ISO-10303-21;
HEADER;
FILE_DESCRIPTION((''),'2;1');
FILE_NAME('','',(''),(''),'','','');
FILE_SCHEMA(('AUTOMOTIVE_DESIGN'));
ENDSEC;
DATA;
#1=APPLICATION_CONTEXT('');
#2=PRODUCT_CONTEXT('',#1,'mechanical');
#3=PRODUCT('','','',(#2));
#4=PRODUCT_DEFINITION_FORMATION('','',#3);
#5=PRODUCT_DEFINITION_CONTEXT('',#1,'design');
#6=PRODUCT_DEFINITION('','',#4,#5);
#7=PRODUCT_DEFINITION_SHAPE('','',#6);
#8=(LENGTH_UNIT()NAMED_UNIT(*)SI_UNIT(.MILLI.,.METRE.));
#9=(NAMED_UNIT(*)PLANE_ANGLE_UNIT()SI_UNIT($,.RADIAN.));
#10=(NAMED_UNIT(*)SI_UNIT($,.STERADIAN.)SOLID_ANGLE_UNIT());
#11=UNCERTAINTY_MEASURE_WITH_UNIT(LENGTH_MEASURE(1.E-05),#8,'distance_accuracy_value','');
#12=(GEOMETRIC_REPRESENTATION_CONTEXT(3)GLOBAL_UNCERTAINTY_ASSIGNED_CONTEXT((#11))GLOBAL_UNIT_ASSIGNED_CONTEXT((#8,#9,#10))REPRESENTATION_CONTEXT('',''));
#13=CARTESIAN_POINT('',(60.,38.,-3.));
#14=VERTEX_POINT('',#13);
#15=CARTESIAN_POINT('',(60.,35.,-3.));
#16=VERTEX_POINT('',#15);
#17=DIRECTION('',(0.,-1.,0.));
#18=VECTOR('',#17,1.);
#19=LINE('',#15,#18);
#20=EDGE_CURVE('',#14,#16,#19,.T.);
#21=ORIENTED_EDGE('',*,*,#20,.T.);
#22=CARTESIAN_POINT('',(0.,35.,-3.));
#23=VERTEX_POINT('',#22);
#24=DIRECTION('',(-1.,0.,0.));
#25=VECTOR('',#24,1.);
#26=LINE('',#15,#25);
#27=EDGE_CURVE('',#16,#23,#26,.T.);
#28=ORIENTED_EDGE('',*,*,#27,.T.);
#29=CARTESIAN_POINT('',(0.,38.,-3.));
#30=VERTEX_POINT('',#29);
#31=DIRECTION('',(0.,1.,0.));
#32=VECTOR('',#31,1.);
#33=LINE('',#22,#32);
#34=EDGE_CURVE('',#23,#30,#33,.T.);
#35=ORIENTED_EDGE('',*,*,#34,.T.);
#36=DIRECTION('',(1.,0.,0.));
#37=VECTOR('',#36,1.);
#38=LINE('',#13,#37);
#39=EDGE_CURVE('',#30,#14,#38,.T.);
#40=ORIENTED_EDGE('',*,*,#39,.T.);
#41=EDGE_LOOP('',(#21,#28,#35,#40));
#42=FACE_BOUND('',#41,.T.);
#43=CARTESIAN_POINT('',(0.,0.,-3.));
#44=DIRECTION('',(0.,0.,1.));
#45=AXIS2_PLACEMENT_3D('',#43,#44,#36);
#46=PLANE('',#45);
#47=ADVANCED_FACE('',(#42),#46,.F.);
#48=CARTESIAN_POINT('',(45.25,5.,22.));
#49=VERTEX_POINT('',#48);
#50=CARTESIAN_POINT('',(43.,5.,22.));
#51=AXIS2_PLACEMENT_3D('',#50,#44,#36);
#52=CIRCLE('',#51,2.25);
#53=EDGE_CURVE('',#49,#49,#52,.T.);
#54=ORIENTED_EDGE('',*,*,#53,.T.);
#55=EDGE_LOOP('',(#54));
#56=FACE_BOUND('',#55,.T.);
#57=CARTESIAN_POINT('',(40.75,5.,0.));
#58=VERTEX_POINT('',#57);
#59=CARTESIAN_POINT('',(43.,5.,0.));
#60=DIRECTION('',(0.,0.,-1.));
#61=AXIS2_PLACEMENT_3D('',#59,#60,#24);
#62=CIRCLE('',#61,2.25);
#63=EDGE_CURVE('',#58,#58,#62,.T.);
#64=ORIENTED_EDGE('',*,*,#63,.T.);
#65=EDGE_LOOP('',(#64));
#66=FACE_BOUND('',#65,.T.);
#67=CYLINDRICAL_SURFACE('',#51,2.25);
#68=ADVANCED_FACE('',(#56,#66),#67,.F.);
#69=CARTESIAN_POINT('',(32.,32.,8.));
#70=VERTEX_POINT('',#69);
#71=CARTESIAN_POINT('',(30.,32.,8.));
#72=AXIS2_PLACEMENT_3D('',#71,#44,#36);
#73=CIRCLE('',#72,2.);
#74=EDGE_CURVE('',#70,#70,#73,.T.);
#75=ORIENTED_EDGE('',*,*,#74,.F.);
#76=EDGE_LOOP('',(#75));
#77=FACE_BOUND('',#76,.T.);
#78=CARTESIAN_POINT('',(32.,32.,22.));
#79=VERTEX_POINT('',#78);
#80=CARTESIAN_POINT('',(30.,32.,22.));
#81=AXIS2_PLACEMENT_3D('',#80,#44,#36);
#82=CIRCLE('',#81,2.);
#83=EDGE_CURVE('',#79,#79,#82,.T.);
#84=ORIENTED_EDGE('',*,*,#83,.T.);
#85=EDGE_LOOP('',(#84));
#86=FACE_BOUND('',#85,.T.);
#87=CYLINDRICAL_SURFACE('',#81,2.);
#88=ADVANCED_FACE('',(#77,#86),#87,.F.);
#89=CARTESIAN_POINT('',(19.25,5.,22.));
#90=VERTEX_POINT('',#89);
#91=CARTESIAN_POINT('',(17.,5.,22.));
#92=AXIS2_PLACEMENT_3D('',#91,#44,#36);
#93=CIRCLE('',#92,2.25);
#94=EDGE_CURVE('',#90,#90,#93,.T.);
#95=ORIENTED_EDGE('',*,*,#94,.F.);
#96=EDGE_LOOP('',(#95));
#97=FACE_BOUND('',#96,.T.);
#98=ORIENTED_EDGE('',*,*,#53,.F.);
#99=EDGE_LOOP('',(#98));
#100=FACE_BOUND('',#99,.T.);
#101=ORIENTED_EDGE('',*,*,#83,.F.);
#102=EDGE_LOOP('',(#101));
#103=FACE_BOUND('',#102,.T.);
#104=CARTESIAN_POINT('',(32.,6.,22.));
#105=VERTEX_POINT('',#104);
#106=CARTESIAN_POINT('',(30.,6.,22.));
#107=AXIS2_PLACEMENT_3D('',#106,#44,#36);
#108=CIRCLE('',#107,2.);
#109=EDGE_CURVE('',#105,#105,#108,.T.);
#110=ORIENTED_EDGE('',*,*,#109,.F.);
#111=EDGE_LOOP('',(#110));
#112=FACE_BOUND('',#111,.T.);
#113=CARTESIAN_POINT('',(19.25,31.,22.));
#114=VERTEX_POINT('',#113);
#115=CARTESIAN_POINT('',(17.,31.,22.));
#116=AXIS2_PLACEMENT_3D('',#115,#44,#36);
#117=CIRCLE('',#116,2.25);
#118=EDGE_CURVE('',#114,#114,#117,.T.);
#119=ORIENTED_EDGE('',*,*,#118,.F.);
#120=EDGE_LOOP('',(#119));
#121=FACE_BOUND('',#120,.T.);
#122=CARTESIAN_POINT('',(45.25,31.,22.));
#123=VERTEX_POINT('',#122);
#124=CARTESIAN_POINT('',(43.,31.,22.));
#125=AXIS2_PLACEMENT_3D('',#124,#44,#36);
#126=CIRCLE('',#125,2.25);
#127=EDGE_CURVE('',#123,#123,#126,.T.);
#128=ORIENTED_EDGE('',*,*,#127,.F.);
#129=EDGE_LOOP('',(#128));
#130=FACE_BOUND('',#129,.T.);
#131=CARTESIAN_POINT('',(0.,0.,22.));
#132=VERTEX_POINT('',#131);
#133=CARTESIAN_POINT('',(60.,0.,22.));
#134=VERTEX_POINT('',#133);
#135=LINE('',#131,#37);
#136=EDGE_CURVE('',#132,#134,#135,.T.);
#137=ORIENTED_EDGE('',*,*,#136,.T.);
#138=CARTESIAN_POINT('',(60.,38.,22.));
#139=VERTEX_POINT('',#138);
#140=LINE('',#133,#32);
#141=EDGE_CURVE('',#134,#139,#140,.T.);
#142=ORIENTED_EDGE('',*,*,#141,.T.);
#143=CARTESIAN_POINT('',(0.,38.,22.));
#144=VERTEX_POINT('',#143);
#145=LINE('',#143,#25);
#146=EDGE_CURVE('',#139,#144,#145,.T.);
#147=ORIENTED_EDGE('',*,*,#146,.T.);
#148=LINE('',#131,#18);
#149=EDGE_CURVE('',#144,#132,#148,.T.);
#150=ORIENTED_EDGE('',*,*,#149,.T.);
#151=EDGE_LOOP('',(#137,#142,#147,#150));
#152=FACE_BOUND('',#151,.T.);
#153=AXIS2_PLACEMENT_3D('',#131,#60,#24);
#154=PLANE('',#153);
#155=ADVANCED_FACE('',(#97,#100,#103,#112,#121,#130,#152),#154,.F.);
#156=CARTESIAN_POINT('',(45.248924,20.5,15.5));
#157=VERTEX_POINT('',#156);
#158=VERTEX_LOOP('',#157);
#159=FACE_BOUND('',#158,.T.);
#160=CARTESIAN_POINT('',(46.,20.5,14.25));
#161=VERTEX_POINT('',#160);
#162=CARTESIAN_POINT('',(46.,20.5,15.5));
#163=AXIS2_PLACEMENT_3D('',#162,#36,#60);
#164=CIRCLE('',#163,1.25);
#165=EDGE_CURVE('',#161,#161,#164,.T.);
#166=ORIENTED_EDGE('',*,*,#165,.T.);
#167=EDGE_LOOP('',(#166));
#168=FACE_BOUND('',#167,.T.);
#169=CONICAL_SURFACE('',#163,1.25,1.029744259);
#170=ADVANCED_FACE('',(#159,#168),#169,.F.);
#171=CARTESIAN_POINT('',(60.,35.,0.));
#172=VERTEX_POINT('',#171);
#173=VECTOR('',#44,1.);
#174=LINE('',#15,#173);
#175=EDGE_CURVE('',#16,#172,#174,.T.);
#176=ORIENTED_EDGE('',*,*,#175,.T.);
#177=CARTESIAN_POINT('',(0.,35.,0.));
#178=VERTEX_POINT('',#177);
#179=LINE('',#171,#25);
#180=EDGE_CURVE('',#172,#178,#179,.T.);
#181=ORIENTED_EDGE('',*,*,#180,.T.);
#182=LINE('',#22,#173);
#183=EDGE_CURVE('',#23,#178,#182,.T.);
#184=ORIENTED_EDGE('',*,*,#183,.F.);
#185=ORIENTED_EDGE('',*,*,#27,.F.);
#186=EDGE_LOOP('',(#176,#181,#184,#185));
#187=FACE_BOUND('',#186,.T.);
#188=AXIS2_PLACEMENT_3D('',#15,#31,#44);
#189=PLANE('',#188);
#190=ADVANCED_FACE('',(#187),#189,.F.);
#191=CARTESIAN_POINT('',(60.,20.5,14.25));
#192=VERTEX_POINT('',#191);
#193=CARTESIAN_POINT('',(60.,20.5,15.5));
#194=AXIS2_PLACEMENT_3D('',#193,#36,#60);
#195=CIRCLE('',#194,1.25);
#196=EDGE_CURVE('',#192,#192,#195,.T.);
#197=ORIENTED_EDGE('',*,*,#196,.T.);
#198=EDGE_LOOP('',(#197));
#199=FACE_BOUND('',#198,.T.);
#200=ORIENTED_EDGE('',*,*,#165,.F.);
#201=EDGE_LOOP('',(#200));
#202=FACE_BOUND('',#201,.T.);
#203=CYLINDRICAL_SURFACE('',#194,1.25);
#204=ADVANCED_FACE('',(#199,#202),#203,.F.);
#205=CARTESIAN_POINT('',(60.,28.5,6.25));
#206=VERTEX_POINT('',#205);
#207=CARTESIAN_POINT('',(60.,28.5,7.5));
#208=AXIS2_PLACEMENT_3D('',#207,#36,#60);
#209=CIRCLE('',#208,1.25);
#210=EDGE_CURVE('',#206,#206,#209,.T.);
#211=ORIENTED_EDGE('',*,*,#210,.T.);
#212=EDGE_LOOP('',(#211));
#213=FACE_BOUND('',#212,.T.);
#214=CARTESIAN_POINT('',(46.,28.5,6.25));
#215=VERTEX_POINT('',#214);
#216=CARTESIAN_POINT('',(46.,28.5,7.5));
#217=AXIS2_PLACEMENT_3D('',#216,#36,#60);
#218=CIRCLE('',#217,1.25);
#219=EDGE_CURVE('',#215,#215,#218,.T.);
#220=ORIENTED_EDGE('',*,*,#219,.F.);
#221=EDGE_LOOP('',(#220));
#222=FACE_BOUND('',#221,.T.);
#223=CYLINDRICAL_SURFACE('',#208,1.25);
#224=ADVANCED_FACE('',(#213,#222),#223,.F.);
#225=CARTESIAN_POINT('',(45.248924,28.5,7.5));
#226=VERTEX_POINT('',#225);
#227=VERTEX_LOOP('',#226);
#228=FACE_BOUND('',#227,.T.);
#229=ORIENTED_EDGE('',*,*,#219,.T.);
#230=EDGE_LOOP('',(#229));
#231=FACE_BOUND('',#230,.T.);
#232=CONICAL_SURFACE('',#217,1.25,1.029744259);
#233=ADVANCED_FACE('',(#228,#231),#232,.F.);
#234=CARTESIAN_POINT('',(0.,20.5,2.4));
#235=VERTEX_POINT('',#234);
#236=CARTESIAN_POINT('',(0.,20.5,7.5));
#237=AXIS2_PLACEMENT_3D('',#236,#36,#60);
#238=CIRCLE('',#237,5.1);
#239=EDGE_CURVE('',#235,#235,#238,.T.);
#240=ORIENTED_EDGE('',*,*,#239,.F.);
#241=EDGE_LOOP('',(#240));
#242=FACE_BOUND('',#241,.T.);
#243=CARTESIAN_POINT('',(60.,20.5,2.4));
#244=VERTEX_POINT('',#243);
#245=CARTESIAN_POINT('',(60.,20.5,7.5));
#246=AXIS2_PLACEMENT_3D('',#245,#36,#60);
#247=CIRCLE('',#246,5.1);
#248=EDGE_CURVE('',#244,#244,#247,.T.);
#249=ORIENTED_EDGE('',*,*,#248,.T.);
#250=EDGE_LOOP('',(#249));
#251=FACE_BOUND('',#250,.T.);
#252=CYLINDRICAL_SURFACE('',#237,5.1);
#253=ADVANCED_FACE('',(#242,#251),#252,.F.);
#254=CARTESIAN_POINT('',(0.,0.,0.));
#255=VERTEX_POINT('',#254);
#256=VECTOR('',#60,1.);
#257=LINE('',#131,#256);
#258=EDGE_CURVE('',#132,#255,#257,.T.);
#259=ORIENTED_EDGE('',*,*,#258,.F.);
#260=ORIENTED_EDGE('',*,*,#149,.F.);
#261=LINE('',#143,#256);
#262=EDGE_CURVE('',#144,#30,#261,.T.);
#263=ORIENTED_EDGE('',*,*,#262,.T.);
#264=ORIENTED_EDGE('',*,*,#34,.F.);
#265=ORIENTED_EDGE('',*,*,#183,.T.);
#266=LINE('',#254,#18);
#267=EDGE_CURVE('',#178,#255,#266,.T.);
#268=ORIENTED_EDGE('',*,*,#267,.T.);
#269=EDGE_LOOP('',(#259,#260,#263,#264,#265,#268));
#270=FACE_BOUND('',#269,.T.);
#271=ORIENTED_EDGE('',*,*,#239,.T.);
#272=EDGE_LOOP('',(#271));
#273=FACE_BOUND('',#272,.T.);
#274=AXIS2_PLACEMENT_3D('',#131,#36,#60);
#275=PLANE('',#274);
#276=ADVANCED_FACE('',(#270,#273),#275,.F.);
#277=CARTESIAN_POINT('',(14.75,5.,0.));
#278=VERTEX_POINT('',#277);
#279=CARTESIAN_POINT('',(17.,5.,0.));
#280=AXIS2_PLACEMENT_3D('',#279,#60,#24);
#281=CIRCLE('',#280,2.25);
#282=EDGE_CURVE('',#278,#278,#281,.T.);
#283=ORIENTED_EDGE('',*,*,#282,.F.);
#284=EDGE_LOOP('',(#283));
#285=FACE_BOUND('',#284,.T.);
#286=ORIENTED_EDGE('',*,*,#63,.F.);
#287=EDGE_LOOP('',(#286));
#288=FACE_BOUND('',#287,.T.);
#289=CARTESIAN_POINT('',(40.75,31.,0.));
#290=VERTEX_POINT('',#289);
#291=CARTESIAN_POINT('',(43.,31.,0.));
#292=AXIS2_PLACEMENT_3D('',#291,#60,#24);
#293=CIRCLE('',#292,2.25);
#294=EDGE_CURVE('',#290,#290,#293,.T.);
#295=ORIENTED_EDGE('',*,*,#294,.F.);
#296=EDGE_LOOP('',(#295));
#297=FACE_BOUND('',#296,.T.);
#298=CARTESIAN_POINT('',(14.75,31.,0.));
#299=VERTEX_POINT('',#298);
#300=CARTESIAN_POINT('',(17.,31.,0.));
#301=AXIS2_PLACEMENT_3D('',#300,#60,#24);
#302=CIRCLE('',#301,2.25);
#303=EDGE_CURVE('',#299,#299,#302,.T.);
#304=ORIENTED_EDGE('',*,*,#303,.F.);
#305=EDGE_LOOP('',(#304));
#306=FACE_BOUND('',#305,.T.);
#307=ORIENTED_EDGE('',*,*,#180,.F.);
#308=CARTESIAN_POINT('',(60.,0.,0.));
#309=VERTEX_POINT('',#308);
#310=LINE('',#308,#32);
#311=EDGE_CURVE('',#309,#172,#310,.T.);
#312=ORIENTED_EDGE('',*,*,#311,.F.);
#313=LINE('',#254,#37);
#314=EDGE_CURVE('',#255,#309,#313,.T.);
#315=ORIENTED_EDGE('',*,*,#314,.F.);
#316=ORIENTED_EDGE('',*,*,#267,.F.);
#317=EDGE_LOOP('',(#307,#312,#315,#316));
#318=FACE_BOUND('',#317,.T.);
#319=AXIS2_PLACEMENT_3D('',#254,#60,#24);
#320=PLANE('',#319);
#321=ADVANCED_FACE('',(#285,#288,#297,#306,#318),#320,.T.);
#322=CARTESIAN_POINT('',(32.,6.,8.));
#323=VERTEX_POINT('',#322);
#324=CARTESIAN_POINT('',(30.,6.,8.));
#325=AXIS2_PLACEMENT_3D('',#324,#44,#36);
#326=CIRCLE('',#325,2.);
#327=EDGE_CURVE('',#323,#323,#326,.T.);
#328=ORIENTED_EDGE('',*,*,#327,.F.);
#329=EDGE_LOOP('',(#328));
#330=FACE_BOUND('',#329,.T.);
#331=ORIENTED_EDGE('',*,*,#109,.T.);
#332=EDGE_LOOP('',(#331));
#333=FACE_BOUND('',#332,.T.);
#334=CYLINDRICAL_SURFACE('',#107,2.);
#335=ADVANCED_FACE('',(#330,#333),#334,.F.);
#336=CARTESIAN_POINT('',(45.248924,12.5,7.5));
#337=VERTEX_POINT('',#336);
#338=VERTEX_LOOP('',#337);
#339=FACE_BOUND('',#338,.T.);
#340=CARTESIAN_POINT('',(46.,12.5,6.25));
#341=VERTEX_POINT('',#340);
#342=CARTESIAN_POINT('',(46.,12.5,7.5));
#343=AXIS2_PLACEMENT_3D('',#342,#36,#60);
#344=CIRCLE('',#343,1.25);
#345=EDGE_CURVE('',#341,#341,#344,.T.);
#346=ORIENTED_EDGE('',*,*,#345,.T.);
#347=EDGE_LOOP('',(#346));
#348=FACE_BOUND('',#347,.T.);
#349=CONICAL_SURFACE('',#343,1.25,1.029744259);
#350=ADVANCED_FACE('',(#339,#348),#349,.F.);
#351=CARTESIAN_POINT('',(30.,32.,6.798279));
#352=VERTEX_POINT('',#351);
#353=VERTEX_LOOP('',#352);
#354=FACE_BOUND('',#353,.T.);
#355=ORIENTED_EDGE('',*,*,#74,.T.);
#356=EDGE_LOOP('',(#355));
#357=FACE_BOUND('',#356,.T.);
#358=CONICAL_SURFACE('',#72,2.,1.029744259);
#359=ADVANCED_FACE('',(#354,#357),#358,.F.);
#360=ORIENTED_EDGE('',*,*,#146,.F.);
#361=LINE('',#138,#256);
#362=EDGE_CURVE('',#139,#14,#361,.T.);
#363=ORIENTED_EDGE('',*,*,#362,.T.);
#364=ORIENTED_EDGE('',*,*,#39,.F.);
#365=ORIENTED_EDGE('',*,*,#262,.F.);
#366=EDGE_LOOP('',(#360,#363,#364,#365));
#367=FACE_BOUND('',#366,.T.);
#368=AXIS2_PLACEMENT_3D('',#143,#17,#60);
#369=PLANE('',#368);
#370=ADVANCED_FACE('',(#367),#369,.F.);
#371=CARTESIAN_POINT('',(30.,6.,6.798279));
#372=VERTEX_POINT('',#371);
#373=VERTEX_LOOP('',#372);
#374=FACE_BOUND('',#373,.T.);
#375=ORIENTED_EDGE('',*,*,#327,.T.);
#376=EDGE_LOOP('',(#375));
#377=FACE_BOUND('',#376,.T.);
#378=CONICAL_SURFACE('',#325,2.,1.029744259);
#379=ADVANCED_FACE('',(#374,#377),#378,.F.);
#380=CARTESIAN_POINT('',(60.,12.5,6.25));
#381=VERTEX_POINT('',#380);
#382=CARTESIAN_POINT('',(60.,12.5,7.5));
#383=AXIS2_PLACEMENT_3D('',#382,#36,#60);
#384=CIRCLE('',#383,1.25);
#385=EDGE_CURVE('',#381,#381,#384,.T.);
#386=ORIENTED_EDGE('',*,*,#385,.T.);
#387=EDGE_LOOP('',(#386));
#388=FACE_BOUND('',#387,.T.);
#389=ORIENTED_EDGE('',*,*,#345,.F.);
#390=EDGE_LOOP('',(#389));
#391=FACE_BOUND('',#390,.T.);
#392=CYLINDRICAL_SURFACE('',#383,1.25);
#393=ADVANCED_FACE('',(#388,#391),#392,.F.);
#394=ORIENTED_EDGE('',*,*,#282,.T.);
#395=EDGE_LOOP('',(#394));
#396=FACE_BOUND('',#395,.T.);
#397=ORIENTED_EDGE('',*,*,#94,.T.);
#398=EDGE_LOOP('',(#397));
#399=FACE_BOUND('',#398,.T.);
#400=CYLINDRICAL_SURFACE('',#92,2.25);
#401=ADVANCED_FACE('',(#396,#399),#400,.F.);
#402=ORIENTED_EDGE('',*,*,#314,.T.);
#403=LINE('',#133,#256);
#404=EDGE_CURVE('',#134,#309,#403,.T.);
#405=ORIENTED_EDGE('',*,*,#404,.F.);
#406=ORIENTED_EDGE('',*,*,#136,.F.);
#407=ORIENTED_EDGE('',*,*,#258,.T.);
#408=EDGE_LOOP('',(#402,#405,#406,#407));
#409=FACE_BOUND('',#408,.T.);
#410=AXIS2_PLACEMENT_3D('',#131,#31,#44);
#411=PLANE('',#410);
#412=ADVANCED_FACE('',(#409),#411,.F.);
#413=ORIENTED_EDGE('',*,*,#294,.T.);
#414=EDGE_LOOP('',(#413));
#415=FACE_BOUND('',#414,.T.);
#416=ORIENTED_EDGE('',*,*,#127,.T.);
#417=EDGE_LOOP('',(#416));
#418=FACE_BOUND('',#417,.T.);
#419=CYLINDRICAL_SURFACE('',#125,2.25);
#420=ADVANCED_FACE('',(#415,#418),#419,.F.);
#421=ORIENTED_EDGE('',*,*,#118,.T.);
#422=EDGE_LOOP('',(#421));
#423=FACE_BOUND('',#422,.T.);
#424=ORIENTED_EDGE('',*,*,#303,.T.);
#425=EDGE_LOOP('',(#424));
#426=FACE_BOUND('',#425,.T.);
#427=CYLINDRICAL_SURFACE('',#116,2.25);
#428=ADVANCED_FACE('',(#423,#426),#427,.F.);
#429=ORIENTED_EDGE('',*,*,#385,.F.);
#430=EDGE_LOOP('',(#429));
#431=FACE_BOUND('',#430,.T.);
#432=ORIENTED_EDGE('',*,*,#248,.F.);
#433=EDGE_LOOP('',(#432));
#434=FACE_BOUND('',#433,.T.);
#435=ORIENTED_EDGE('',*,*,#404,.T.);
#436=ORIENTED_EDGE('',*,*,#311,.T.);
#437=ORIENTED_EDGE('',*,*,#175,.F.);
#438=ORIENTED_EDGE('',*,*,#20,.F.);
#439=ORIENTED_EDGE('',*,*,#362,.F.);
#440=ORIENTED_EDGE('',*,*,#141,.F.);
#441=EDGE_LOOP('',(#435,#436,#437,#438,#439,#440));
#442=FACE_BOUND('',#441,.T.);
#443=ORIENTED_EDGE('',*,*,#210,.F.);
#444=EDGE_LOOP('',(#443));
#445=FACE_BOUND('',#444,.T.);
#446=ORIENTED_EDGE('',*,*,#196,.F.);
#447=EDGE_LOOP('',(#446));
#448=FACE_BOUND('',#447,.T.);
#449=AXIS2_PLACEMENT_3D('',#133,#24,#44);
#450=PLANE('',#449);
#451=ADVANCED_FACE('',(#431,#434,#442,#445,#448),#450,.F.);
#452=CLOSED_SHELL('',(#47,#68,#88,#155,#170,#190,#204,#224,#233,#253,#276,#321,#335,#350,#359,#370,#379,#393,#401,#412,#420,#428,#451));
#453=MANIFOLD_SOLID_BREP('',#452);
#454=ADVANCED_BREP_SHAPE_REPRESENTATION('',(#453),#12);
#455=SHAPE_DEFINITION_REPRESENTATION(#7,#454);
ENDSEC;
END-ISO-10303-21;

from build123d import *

# Parameters (mm, degrees)
CROQUIS1_W                         = 60
CROQUIS1_H                         = 38
SALIENTE_EXTRUIR1_DEPTH            = 22
CROQUIS2_R                         = 5.1
CORTAR_EXTRUIR1_DEPTH              = 61
TALADROS_DE_ESPIGA_DE_4_0MM2_D     = 4
TALADROS_DE_ESPIGA_DE_4_0MM2_DEPTH = 14
TALADROS_DE_ESPIGA_DE_4_0MM2_TIP   = 1.201721238
CROQUIS6_W                         = 60
CROQUIS6_H                         = 3
SALIENTE_EXTRUIR2_DEPTH            = 3
TALADRO_ROSCADO_M31_D              = 2.5
TALADRO_ROSCADO_M31_DEPTH          = 14
TALADRO_ROSCADO_M31_TIP            = 0.751075774
TALADRO_DE_MARGEN_PARA_M41_D       = 4.5


with BuildPart() as part:
    # Croquis1 → Saliente-Extruir1 (new body)
    with BuildSketch(Plane.XY):
        with Locations((30, 19)):
            Rectangle(CROQUIS1_W, CROQUIS1_H)
    extrude(amount=SALIENTE_EXTRUIR1_DEPTH)

    # Croquis2 → Cortar-Extruir1 (cut, through all)
    with BuildSketch(Plane(origin=(60, 0, 0), x_dir=(0, 0, -1), z_dir=(1, 0, 0))):
        with Locations((-7.5, 20.5)):
            Circle(CROQUIS2_R)
    extrude(amount=-CORTAR_EXTRUIR1_DEPTH, mode=Mode.SUBTRACT)

    # Taladros de espiga de Ø4.0mm2
    with Locations(Plane.XY.offset(22)):
        with Locations((30, 6), (30, 32)):
            Hole(TALADROS_DE_ESPIGA_DE_4_0MM2_D / 2, depth=TALADROS_DE_ESPIGA_DE_4_0MM2_DEPTH)
            with Locations((0, 0, -(TALADROS_DE_ESPIGA_DE_4_0MM2_DEPTH + TALADROS_DE_ESPIGA_DE_4_0MM2_TIP / 2))):  # 118° drill point
                Cone(0, TALADROS_DE_ESPIGA_DE_4_0MM2_D / 2, TALADROS_DE_ESPIGA_DE_4_0MM2_TIP, mode=Mode.SUBTRACT)

    # Croquis6 → Saliente-Extruir2 (add)
    with BuildSketch(Plane(origin=(0, 0, 0), x_dir=(-1, 0, 0), z_dir=(0, 0, -1))):
        with Locations((-30, 36.5)):
            Rectangle(CROQUIS6_W, CROQUIS6_H)
    extrude(amount=SALIENTE_EXTRUIR2_DEPTH)

    # Taladro roscado M31
    with Locations(Plane(origin=(60, 0, 0), x_dir=(0, 0, -1), z_dir=(1, 0, 0))):
        with Locations((-15.5, 20.5), (-7.5, 12.5), (-7.5, 28.5)):
            Hole(TALADRO_ROSCADO_M31_D / 2, depth=TALADRO_ROSCADO_M31_DEPTH)
            with Locations((0, 0, -(TALADRO_ROSCADO_M31_DEPTH + TALADRO_ROSCADO_M31_TIP / 2))):  # 118° drill point
                Cone(0, TALADRO_ROSCADO_M31_D / 2, TALADRO_ROSCADO_M31_TIP, mode=Mode.SUBTRACT)

    # Taladro de margen para M41 (through all)
    with Locations(Plane.XY.offset(22)):
        with Locations((43, 5), (43, 31), (17, 5), (17, 31)):
            Hole(TALADRO_DE_MARGEN_PARA_M41_D / 2)


solid = part.part
